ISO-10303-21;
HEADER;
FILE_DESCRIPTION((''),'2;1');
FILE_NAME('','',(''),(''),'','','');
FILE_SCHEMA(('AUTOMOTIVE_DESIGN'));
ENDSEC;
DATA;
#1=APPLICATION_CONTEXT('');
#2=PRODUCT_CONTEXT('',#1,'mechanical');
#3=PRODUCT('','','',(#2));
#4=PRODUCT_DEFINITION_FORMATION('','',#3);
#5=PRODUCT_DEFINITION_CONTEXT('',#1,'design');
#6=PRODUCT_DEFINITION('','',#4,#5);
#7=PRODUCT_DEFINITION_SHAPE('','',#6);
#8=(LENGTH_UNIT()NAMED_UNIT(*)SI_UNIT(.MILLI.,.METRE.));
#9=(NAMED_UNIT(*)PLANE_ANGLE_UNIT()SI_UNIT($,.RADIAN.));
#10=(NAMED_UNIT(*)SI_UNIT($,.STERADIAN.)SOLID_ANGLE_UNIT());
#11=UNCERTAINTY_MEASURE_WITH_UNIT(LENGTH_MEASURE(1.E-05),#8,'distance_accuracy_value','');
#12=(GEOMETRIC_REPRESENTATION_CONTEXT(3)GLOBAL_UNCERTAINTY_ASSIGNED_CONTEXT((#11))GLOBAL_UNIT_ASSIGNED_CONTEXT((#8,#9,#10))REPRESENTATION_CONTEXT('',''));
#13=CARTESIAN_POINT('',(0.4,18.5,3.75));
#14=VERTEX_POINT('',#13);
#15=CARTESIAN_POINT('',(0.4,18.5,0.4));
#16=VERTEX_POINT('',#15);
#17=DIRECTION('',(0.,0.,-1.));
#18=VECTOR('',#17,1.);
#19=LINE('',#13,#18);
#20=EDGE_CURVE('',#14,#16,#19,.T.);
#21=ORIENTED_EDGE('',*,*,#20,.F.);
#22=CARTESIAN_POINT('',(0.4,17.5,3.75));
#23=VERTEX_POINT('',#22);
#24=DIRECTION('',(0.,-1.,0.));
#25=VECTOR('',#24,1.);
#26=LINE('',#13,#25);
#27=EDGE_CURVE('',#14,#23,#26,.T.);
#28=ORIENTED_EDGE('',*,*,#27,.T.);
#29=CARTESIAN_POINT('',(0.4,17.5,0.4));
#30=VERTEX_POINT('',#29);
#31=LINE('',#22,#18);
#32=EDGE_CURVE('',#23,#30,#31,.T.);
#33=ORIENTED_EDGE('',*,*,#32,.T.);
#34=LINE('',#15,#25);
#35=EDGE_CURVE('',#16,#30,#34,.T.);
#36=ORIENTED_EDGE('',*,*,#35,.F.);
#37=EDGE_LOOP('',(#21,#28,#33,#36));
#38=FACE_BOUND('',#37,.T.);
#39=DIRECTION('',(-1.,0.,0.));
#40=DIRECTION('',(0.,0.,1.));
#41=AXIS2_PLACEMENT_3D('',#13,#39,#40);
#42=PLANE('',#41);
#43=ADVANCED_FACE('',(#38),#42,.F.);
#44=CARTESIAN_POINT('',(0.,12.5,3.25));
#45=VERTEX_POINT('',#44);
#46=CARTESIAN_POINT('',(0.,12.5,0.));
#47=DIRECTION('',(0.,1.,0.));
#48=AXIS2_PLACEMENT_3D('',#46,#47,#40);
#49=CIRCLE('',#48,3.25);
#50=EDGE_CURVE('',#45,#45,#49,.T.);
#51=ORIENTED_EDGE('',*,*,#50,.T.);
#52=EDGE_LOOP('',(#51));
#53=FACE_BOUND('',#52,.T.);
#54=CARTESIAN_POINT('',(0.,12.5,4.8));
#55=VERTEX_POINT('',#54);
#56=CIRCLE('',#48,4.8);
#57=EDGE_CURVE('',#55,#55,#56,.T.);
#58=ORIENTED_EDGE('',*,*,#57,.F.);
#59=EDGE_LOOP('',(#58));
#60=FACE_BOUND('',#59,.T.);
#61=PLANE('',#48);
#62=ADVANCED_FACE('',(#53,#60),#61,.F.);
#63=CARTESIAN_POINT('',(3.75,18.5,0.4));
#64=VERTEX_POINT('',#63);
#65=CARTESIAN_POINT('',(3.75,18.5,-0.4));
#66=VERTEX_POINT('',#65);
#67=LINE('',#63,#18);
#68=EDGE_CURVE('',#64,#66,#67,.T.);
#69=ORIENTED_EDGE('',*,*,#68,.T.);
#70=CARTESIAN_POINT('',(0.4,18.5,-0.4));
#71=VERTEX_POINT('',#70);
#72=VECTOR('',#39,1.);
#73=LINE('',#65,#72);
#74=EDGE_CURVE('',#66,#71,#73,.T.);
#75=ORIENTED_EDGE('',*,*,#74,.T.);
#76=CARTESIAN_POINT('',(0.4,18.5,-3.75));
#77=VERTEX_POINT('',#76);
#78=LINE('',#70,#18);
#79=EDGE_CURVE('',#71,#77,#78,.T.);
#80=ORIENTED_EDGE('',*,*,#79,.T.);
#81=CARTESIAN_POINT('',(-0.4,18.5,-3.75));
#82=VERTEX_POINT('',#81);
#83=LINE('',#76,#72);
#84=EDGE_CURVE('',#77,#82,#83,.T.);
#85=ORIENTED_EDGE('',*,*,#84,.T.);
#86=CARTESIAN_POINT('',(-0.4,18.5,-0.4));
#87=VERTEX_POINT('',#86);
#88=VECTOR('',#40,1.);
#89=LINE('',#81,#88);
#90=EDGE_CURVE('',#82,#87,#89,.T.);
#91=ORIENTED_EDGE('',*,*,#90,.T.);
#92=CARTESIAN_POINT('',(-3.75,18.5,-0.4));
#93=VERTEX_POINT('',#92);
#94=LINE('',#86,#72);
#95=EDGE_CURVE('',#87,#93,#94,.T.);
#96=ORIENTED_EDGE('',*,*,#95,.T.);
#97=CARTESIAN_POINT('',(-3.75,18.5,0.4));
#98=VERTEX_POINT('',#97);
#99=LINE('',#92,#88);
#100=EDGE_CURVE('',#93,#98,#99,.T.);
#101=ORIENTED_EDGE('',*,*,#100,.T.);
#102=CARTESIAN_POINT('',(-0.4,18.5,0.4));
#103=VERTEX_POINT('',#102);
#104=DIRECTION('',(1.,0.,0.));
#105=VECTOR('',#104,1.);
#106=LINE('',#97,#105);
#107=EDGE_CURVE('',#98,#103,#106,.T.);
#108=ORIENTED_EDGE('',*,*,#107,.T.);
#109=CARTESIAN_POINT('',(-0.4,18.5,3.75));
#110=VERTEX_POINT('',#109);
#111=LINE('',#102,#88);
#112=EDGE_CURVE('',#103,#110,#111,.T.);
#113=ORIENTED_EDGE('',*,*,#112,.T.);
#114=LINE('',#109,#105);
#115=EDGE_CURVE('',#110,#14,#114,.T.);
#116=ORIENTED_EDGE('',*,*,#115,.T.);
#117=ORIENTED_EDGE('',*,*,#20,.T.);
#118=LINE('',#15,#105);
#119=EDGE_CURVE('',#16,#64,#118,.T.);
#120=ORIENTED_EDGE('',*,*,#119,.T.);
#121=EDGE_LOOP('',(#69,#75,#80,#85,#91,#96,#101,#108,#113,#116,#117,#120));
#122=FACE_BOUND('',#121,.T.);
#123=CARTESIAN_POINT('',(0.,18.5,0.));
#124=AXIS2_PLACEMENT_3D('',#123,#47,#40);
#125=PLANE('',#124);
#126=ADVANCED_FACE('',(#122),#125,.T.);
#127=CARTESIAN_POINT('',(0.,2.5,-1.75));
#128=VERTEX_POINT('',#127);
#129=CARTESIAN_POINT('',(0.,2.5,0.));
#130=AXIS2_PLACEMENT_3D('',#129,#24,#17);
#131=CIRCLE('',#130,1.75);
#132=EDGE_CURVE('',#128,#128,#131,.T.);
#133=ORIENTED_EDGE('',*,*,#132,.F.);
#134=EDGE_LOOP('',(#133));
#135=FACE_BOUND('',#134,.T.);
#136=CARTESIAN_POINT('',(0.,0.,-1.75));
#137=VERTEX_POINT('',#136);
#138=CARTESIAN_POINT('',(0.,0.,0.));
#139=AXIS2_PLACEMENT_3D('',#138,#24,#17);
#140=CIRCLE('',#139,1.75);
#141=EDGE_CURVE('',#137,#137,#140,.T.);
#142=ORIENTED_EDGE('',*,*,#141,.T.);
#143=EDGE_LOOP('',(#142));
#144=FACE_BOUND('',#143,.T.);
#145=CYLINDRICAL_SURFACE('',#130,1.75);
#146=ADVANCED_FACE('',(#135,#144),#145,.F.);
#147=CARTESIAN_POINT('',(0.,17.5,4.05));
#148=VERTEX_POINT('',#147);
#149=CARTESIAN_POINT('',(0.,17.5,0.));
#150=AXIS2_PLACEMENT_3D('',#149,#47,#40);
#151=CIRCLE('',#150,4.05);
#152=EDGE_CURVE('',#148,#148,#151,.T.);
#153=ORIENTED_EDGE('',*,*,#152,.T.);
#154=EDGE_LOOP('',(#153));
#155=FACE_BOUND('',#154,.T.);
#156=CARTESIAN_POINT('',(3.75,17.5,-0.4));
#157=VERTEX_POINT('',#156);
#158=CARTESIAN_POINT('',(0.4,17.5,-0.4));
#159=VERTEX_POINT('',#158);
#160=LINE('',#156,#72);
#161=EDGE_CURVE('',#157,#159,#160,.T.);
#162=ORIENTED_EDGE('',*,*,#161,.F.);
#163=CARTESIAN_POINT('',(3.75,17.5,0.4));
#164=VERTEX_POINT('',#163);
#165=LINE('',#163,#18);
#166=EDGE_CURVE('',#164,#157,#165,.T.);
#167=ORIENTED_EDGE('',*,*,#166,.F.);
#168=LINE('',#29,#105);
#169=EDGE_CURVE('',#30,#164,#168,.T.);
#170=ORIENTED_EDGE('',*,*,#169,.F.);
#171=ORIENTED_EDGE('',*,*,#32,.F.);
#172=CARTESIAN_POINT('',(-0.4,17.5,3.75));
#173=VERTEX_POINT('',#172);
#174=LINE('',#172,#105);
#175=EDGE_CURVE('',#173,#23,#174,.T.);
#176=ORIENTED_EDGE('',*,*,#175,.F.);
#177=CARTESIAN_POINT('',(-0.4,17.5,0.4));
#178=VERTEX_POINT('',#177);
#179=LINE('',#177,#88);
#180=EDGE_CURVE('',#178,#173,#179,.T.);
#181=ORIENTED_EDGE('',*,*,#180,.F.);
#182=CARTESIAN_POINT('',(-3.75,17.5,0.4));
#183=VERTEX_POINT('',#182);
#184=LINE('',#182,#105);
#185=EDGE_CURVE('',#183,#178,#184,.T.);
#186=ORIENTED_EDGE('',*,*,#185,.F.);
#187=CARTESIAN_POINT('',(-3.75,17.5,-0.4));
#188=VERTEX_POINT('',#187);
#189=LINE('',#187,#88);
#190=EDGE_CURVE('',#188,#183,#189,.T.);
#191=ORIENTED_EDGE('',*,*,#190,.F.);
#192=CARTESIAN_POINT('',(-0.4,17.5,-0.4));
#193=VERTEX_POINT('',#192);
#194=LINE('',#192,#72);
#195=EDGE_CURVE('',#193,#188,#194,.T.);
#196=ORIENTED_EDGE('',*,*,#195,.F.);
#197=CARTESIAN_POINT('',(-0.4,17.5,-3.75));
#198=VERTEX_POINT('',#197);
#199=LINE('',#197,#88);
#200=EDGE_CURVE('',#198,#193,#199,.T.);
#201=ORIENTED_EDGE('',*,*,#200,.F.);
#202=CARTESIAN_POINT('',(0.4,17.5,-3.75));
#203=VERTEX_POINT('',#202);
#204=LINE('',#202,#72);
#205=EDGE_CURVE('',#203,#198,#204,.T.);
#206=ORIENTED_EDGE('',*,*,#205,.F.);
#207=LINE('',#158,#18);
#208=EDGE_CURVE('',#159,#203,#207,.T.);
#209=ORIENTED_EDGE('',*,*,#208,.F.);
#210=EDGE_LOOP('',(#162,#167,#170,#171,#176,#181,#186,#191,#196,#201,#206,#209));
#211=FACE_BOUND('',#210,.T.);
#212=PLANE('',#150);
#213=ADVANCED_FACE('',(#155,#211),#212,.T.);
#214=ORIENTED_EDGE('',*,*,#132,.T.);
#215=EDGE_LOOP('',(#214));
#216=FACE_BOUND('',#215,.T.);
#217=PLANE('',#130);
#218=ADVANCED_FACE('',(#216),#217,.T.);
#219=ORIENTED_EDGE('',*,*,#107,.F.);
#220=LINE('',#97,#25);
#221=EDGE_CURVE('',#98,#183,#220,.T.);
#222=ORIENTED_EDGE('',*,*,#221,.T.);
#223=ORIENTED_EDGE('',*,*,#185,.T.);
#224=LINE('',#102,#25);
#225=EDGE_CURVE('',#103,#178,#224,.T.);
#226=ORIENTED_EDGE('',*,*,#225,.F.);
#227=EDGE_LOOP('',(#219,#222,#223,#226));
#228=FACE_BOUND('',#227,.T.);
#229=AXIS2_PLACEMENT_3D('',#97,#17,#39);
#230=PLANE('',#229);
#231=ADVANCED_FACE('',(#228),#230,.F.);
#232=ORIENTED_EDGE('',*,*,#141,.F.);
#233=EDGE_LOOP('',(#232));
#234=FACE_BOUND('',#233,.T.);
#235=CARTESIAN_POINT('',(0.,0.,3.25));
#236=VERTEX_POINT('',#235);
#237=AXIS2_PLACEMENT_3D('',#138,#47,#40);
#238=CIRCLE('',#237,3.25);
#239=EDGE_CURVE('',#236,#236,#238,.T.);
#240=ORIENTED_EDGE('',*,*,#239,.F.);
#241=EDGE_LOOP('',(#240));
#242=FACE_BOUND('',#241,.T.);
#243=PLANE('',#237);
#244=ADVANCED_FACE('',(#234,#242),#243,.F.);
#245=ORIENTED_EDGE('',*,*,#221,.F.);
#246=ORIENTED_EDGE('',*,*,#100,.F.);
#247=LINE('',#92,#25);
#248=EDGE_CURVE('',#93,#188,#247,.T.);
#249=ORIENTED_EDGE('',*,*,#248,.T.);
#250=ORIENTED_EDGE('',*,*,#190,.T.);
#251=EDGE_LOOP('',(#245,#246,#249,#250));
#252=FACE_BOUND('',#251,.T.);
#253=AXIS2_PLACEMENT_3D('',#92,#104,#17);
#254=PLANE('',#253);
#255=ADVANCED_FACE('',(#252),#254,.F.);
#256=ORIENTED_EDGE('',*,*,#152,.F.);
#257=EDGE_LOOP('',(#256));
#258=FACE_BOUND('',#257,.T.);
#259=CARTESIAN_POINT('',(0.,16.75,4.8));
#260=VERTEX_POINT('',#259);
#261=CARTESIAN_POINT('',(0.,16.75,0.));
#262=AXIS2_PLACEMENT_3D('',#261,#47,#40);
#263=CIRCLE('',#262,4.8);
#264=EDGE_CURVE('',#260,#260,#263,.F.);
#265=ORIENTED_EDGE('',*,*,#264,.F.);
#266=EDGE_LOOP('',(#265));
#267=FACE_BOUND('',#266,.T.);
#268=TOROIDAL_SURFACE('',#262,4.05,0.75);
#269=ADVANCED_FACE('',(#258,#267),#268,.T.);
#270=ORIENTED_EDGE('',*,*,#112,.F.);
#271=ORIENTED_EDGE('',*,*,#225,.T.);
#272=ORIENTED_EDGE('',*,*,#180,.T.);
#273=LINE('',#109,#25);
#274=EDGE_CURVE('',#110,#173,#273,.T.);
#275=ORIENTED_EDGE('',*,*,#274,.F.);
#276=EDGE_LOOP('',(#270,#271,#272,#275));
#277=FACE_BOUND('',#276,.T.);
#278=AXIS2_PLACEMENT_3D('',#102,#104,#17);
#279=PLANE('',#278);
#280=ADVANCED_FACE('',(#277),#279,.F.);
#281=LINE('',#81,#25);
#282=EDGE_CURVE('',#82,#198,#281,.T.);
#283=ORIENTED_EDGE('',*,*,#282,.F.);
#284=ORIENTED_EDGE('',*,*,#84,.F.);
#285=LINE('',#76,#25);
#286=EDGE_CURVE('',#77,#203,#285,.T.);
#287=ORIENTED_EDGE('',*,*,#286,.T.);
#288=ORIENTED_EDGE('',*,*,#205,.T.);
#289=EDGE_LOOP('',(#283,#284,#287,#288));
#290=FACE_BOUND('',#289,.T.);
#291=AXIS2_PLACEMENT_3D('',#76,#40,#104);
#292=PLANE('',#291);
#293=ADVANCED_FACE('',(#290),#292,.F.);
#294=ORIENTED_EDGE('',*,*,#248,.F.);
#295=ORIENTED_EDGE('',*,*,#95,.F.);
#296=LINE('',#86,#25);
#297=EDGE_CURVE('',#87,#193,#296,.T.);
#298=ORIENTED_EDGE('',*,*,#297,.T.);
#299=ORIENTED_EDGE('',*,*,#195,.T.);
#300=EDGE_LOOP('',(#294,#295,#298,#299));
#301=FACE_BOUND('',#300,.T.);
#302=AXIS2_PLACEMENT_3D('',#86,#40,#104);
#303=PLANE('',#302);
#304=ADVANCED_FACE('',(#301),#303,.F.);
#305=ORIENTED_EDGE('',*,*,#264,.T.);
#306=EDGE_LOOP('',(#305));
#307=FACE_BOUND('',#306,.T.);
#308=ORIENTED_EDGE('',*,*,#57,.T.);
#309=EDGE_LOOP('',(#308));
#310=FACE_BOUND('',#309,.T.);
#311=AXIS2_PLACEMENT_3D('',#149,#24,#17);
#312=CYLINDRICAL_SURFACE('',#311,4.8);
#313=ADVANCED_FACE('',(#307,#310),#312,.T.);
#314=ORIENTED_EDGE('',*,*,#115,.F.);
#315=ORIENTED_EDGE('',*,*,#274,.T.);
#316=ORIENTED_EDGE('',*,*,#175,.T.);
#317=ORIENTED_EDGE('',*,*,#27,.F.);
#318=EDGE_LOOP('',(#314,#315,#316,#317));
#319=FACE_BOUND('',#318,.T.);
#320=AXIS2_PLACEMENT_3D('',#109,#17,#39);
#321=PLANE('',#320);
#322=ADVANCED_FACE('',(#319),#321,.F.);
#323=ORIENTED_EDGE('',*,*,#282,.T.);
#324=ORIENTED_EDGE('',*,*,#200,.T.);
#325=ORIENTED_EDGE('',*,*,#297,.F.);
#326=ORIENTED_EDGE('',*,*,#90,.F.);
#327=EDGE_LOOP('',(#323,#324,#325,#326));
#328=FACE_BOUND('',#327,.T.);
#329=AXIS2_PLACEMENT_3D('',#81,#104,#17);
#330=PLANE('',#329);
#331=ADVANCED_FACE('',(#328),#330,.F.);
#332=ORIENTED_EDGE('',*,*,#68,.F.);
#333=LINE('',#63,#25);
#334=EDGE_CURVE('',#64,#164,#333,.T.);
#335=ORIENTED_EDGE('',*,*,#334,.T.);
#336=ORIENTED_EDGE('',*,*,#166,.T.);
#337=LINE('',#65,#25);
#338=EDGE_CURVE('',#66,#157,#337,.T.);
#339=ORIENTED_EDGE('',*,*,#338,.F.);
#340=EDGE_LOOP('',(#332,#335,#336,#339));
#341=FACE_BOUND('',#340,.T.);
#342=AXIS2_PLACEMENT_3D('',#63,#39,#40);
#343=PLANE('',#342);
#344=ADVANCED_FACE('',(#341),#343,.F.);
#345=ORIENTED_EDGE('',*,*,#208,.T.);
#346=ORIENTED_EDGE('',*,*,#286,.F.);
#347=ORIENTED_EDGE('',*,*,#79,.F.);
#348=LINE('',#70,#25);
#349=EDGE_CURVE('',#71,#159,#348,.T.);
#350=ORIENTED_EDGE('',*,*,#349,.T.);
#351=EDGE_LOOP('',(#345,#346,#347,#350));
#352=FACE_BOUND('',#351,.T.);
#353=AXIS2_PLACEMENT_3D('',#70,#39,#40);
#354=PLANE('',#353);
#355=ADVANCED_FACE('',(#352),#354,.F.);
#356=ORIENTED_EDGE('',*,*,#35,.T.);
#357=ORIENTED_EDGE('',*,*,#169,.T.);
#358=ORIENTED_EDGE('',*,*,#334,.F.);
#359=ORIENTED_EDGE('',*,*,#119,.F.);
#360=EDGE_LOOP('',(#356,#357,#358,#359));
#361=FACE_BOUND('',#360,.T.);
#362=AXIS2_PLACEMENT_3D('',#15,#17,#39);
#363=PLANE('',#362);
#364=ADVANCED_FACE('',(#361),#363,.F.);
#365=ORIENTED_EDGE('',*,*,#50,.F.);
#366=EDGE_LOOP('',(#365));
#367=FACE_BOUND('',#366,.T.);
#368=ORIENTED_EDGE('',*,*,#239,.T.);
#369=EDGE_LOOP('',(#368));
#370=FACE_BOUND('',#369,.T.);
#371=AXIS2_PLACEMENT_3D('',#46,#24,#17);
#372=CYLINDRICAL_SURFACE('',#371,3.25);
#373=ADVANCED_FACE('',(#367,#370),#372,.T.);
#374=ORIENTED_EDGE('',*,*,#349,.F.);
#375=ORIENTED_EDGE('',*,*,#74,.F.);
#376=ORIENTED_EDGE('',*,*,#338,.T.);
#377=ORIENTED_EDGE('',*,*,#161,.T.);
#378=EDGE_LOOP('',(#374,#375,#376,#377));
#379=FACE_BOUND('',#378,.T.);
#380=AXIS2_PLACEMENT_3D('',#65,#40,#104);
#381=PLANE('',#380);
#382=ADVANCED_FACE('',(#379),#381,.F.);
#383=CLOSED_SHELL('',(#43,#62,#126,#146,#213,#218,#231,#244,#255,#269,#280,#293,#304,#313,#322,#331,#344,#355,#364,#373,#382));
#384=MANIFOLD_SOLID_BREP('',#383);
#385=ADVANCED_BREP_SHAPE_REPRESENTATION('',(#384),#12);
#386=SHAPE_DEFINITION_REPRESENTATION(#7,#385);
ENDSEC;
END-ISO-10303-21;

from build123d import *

# Parameters (mm, degrees)
SKETCH1_R           = 3.25
BOSS_EXTRUDE1_DEPTH = 12.5
SKETCH2_R           = 1.75
CUT_EXTRUDE1_DEPTH  = 2.5
SKETCH6_R           = 4.8
BOSS_EXTRUDE2_DEPTH = 5
BOSS_EXTRUDE3_DEPTH = 1
FILLET1_R           = 0.75


with BuildPart() as part:
    # Sketch1 → Boss-Extrude1 (new body)
    with BuildSketch(Plane(origin=(0, 0, 0), x_dir=(1, 0, 0), z_dir=(0, 1, 0))):
        Circle(SKETCH1_R)
    extrude(amount=BOSS_EXTRUDE1_DEPTH)

    # Sketch2 → Cut-Extrude1 (cut)
    with BuildSketch(Plane.XZ):
        Circle(SKETCH2_R)
    extrude(amount=-CUT_EXTRUDE1_DEPTH, mode=Mode.SUBTRACT)

    # Sketch6 → Boss-Extrude2 (add)
    with BuildSketch(Plane(origin=(0, 12.5, 0), x_dir=(1, 0, 0), z_dir=(0, 1, 0))):
        Circle(SKETCH6_R)
    extrude(amount=BOSS_EXTRUDE2_DEPTH)

    # Sketch8 → Boss-Extrude3 (add)
    with BuildSketch(Plane(origin=(0, 17.5, 0), x_dir=(1, 0, 0), z_dir=(0, 1, 0))):
        Polygon((0.4, 3.75), (-0.4, 3.75), (-0.4, 0.4), (-3.75, 0.4), (-3.75, -0.4), (-0.4, -0.4), (-0.4, -3.75), (0.4, -3.75), (0.4, -0.4), (3.75, -0.4), (3.75, 0.4), (0.4, 0.4), align=None)
    extrude(amount=BOSS_EXTRUDE3_DEPTH)

    # Fillet1
    fillet1_edges = [part.edges().sort_by_distance(p)[0] for p in [
        (-4.8, 17.5, 0),
    ]]
    fillet(fillet1_edges, radius=FILLET1_R)


solid = part.part
